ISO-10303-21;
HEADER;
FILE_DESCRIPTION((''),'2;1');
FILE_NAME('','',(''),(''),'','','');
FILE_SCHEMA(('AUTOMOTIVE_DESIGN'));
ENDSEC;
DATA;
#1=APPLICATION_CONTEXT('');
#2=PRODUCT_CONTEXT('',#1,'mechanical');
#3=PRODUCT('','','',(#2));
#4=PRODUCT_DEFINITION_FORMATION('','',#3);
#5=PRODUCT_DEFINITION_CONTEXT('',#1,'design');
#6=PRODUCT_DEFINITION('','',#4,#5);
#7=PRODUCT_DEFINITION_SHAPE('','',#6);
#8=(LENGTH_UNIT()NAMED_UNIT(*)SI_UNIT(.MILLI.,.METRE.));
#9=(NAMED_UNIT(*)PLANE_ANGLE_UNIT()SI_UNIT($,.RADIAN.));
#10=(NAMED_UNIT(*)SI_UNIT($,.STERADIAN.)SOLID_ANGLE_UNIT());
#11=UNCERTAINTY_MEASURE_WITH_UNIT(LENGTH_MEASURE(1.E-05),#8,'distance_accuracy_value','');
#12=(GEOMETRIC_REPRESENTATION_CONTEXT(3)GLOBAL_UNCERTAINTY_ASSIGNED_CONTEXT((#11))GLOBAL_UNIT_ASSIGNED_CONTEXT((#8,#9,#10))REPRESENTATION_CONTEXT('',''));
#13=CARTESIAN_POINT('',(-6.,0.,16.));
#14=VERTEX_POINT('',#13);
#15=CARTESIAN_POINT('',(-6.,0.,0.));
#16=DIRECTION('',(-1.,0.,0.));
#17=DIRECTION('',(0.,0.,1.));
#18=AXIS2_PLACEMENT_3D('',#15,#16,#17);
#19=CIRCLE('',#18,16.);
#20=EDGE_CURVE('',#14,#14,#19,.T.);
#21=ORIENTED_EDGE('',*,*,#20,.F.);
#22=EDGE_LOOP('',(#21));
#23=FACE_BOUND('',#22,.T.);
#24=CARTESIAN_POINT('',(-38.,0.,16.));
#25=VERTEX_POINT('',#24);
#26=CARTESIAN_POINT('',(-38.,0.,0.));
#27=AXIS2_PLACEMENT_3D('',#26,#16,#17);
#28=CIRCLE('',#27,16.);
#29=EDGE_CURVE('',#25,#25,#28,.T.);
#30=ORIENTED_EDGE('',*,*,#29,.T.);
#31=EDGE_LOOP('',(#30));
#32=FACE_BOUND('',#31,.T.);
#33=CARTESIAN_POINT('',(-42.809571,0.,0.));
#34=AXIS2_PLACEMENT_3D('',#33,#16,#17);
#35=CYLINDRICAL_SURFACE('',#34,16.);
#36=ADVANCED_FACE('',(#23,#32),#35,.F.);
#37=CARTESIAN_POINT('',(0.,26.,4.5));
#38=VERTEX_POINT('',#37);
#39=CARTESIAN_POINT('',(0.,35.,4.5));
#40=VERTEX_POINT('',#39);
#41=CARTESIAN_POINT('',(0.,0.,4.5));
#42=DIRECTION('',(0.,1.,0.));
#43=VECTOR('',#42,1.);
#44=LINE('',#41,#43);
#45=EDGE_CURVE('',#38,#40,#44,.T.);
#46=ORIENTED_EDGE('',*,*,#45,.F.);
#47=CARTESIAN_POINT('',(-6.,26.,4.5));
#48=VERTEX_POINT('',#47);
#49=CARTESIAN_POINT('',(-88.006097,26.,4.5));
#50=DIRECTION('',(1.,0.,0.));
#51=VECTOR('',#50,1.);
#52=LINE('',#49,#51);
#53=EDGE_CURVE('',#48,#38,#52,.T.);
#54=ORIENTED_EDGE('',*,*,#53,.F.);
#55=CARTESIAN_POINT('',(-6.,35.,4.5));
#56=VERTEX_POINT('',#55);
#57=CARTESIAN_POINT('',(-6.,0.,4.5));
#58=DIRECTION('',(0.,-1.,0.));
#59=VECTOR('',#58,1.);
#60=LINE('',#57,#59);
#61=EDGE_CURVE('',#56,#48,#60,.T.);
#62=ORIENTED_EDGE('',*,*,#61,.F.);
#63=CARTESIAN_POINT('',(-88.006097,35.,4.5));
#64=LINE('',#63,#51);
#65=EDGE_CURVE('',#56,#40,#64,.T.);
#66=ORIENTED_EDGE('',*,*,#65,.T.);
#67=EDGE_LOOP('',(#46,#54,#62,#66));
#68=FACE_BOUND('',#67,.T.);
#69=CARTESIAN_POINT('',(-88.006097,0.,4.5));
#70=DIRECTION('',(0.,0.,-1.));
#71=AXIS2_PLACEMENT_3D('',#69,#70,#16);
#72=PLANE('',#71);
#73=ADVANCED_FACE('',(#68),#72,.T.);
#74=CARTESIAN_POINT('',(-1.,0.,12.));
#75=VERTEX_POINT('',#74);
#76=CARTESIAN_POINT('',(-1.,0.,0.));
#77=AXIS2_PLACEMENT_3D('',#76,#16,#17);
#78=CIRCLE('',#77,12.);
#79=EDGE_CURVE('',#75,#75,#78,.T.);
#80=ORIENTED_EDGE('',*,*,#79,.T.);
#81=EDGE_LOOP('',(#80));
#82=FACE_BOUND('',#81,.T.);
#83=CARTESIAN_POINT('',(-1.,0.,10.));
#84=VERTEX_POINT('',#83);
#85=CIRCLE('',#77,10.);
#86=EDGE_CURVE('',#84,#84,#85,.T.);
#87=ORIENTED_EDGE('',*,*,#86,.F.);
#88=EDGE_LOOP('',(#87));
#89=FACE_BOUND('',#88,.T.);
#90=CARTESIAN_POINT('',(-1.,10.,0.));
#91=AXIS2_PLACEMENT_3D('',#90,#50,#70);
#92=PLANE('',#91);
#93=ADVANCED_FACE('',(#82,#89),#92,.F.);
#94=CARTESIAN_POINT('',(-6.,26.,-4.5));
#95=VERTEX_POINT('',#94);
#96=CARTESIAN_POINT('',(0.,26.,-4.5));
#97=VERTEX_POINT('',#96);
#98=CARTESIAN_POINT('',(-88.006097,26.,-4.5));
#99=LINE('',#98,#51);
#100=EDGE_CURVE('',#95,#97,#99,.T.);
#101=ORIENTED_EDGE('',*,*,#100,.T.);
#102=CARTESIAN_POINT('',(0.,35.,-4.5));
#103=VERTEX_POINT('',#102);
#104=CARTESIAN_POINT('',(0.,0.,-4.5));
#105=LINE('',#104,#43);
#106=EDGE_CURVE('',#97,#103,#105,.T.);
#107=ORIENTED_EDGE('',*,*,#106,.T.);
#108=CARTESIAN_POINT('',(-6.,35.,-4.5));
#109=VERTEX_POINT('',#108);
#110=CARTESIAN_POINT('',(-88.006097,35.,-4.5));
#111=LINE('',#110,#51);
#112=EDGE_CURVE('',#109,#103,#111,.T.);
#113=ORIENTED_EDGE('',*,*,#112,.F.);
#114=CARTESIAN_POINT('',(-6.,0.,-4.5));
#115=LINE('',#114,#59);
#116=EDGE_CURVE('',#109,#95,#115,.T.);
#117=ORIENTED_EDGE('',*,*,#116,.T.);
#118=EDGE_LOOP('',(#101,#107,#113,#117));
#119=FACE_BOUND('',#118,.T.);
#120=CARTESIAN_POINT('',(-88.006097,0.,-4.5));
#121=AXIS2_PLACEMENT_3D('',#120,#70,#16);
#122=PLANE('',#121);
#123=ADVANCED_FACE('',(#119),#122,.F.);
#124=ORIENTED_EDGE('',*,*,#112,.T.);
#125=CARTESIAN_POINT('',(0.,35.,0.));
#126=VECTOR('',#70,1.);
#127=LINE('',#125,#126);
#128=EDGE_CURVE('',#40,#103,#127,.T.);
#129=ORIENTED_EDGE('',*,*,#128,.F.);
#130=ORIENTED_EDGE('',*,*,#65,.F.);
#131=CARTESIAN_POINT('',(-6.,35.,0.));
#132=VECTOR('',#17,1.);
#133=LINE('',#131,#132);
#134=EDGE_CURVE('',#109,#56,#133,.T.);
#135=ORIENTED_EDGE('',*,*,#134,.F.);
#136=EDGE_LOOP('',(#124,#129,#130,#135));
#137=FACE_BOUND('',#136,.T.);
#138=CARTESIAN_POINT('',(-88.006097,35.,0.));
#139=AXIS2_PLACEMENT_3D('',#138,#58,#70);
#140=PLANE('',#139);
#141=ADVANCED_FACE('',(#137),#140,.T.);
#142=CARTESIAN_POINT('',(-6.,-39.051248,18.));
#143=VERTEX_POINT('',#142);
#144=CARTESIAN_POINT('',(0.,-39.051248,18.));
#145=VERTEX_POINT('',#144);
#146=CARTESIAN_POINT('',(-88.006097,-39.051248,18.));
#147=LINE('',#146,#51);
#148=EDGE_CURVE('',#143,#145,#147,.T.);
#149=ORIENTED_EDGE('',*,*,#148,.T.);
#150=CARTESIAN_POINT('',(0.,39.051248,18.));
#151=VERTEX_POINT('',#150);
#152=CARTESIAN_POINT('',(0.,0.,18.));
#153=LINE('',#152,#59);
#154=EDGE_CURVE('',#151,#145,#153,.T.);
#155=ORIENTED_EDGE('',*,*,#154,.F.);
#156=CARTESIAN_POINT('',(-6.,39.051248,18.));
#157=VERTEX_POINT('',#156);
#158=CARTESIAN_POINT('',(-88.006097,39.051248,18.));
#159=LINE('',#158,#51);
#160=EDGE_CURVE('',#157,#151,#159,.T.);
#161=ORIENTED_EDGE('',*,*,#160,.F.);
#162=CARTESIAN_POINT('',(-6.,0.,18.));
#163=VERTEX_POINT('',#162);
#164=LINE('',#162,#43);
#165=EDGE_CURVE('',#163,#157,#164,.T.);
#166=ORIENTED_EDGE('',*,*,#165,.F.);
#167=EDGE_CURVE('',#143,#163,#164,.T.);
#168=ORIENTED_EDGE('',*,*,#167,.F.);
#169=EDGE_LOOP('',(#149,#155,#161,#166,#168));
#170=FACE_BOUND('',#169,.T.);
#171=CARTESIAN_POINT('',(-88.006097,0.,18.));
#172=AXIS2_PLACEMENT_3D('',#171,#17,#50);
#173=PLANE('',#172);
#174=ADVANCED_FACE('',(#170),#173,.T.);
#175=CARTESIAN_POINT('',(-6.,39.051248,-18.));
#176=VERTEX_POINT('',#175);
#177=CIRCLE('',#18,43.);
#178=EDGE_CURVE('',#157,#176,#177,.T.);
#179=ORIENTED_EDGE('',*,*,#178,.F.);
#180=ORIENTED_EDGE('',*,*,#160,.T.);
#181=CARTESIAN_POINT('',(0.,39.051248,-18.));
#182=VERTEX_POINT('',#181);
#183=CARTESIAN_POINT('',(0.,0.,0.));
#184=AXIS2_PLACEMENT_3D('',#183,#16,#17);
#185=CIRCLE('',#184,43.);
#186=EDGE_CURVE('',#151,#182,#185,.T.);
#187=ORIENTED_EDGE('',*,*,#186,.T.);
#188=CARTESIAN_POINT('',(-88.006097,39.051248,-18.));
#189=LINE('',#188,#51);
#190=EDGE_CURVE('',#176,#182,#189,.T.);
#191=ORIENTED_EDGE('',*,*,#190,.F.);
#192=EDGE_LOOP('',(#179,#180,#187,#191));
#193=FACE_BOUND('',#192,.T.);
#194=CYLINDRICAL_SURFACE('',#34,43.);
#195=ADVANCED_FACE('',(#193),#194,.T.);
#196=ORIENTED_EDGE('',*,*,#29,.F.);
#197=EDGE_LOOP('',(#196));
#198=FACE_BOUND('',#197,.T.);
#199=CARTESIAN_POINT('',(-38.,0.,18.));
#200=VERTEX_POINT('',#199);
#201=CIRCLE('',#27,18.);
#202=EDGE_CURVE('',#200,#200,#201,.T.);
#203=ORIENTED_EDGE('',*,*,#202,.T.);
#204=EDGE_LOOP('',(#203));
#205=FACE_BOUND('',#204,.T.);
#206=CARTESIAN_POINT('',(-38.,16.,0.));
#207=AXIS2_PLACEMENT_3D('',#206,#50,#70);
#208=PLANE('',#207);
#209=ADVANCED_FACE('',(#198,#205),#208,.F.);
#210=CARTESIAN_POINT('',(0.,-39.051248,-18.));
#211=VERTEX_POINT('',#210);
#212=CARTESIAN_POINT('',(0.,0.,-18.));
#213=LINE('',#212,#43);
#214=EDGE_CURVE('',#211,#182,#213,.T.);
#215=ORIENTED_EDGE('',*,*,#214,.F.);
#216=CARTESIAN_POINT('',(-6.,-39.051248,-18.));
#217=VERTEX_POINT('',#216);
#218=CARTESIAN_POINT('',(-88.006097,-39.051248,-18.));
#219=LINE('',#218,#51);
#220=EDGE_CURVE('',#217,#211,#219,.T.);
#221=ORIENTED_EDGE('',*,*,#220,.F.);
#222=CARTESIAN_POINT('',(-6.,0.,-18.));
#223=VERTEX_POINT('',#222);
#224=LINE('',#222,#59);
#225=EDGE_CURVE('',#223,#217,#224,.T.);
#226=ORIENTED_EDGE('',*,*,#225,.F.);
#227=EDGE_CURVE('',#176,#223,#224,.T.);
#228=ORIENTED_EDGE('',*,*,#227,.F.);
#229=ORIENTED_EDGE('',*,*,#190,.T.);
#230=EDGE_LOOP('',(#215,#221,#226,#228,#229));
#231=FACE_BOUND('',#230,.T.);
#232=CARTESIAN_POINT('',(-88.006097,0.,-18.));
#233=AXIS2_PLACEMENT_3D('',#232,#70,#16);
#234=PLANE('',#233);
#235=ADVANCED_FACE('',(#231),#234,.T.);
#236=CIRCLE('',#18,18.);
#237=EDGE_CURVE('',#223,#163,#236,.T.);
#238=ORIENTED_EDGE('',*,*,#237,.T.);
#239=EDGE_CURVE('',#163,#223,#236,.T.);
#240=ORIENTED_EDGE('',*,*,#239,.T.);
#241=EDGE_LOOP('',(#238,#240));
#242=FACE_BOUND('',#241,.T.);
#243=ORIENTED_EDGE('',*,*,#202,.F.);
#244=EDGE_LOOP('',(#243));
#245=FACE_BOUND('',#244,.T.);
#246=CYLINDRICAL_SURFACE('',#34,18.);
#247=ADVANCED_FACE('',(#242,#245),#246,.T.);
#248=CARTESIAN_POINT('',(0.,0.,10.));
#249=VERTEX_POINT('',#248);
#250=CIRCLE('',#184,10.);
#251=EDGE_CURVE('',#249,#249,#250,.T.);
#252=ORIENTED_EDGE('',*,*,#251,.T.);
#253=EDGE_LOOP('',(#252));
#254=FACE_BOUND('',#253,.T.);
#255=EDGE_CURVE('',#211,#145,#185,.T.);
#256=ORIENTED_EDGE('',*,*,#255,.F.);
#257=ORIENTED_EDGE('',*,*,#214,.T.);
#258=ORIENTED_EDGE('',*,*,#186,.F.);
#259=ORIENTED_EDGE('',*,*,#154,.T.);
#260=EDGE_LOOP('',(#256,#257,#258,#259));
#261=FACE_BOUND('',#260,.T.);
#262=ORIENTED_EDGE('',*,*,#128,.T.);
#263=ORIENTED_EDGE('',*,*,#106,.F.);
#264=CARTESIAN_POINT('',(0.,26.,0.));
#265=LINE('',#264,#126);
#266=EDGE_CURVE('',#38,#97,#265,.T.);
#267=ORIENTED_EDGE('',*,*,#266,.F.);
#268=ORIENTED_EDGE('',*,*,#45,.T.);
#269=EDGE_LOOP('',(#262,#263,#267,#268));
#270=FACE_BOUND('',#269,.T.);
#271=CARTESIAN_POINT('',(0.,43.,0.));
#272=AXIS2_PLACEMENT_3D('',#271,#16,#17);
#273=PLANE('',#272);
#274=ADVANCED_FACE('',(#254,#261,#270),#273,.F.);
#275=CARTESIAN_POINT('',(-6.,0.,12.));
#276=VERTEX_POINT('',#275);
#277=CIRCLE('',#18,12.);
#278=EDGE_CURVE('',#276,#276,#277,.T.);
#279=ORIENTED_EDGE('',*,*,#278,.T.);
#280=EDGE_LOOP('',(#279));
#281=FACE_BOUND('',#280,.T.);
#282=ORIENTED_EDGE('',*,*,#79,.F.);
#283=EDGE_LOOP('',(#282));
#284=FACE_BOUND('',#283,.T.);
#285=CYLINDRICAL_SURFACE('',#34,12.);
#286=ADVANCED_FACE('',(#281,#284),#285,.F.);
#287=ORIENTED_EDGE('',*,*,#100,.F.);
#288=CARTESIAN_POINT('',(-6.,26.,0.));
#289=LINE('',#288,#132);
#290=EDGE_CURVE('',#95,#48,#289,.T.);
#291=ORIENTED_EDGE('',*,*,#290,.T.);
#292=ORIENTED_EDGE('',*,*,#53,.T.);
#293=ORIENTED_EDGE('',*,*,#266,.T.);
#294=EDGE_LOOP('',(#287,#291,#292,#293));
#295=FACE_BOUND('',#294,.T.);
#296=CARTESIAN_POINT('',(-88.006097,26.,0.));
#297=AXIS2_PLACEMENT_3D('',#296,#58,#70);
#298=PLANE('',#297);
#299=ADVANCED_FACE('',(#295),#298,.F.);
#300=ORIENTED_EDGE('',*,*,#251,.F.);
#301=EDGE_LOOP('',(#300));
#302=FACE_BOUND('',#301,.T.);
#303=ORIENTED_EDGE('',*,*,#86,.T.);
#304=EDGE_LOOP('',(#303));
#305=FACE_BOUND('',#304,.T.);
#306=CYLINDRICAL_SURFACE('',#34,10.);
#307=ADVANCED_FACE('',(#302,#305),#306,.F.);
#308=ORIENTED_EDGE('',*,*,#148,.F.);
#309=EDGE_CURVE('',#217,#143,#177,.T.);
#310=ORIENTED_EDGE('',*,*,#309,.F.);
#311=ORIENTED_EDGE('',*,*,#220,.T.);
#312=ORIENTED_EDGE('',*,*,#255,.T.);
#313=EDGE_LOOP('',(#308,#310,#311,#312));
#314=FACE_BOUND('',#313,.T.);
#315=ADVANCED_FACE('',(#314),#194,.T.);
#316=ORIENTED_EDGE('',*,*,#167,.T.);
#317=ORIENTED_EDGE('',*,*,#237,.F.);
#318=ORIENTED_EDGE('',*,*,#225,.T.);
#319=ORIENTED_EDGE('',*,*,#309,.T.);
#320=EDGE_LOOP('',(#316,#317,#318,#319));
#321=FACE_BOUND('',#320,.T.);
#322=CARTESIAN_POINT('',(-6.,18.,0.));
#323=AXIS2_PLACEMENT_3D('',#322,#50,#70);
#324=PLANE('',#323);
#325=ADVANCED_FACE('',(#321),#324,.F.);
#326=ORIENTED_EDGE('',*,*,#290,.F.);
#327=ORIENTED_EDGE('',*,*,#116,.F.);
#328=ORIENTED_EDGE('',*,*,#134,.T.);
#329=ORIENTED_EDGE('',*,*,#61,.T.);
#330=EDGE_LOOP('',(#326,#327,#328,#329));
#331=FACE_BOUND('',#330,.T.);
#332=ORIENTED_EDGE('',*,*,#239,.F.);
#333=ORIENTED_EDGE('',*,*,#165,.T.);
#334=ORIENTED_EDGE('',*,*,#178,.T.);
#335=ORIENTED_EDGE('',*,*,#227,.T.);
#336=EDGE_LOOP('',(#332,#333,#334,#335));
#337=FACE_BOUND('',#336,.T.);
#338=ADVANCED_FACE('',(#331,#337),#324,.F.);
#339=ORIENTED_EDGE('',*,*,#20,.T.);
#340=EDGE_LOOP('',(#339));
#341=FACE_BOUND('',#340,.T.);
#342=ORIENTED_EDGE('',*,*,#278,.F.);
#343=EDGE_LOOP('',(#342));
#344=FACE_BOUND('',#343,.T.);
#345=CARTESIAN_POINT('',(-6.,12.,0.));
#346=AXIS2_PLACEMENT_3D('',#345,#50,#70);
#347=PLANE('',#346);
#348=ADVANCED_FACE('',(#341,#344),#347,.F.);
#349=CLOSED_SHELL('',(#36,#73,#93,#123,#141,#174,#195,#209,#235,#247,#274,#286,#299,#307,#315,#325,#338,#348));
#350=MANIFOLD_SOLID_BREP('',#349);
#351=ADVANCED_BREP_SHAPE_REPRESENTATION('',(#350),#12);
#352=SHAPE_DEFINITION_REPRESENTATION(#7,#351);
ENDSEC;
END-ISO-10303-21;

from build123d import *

# Parameters (mm, degrees)
SKETCH2_W          = 9
SKETCH2_H          = 9
CUT_EXTRUDE1_DEPTH = 6


with BuildPart() as part:
    # Sketch1 → Revolve1 (revolve)
    with BuildSketch(Plane.XY, mode=Mode.PRIVATE) as revolve1_sk:
        Polygon((-1, 12), (-6, 12), (-6, 16), (-38, 16), (-38, 18), (-6, 18), (-6, 43), (0, 43), (0, 10), (-1, 10), align=None)
    revolve(revolve1_sk.sketch.rotate(Axis((-42.809570876, 0, 0), (1, 0, 0)), 90), axis=Axis((-42.809570876, 0, 0), (1, 0, 0)))

    # Sketch2 → Cut-Extrude1 (cut)
    with BuildSketch(Plane(origin=(0, 0, 0), x_dir=(0, 0, -1), z_dir=(1, 0, 0))):
        with BuildLine():
            Line((-18, -39.05124838), (-18, 39.05124838))
            ThreePointArc((-18, 39.05124838), (-43, 0), (-18, -39.05124838))
        make_face()
        with Locations((0, 30.5)):
            Rectangle(SKETCH2_W, SKETCH2_H)
        with BuildLine():
            ThreePointArc((43, 0), (36.214637924, 23.184046239), (18, 39.05124838))
            Line((18, 39.05124838), (18, -39.05124838))
            ThreePointArc((18, -39.05124838), (36.214637924, -23.184046239), (43, 0))
        make_face()
    extrude(amount=-CUT_EXTRUDE1_DEPTH, mode=Mode.SUBTRACT)


solid = part.part
